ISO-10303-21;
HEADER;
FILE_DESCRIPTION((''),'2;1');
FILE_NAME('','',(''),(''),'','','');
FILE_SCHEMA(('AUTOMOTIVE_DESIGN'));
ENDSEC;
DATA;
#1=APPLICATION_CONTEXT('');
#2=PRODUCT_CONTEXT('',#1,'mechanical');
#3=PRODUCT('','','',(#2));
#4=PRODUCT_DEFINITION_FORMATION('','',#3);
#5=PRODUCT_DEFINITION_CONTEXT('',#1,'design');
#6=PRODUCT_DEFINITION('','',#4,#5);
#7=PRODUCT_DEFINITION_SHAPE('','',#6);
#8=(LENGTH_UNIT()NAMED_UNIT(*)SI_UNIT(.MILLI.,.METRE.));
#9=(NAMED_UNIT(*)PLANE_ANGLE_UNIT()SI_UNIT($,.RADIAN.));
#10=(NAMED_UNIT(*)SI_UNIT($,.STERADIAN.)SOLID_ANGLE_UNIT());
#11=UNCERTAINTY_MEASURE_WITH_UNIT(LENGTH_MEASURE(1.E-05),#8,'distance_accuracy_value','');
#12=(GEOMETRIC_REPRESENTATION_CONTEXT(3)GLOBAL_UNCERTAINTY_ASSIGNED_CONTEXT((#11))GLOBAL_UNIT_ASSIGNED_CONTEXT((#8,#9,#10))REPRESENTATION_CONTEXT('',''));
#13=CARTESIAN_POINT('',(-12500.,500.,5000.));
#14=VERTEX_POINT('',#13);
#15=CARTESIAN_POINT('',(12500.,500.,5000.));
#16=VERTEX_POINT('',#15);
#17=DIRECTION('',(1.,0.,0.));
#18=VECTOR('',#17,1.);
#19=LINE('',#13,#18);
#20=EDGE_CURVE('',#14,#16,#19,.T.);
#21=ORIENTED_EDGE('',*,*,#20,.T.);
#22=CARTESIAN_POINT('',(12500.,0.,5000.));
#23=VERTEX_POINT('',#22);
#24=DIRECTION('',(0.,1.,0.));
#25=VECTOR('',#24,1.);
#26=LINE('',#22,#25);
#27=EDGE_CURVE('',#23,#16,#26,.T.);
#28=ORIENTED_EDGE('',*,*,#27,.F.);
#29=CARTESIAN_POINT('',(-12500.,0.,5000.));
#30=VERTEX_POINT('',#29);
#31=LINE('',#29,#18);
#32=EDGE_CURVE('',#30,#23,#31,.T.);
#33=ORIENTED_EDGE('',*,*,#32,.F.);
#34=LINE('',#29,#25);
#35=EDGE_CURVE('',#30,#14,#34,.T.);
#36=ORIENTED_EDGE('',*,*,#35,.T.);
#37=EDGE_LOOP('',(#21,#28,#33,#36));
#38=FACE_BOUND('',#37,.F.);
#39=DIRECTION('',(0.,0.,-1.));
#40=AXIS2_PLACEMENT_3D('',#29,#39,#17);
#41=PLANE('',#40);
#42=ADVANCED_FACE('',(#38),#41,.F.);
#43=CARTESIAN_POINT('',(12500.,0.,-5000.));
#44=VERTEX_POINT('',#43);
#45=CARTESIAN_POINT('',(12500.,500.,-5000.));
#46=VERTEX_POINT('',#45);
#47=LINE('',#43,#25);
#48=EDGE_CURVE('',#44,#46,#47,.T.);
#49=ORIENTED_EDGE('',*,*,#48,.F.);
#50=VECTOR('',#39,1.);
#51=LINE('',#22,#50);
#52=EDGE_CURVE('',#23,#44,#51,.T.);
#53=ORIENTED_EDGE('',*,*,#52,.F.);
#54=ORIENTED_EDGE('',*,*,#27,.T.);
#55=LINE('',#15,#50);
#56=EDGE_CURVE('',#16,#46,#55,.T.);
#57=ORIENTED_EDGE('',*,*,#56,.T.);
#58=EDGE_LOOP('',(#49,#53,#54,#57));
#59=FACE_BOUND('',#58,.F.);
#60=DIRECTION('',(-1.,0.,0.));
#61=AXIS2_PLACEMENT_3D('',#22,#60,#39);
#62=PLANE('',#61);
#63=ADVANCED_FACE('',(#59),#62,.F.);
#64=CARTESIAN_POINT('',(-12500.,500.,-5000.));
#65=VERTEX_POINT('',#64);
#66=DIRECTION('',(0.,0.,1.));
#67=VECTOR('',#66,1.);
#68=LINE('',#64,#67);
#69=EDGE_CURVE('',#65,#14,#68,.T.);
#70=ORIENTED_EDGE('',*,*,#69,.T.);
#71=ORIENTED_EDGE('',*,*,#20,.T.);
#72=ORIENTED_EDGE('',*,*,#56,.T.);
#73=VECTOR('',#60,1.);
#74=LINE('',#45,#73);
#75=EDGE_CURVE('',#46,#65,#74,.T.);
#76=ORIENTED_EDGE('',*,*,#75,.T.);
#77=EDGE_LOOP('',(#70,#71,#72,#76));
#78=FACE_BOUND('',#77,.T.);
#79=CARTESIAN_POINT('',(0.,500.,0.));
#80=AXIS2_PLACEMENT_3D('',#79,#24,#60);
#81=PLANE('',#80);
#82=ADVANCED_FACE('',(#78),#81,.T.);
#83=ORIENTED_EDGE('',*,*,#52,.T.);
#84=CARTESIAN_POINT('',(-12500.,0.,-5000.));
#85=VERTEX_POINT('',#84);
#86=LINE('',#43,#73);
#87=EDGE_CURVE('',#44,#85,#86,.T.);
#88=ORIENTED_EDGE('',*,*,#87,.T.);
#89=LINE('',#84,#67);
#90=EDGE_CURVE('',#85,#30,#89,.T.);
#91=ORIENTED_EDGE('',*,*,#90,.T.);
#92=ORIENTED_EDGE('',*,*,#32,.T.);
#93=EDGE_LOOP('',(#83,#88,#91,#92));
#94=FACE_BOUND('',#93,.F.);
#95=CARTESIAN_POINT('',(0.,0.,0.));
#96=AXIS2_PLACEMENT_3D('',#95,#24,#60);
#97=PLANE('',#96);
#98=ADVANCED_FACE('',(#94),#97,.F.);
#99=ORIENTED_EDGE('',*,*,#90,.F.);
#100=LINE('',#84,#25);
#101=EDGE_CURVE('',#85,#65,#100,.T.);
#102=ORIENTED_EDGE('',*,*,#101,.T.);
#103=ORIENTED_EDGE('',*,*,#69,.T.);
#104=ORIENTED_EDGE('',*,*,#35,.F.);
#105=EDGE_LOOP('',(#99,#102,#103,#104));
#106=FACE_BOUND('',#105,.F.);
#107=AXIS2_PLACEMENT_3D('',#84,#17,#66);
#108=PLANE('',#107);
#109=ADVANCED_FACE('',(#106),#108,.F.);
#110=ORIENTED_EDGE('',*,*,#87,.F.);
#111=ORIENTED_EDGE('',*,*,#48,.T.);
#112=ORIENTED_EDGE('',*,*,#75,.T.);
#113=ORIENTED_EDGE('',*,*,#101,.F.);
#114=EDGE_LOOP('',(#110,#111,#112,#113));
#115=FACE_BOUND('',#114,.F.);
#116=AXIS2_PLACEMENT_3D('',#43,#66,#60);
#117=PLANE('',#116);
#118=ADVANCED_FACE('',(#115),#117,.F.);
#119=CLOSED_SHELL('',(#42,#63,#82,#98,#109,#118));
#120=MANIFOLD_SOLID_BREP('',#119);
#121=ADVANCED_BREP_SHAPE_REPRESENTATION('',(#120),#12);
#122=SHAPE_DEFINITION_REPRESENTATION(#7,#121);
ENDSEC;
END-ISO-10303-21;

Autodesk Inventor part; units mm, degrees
ref_plane "YZ Plane" through (0, 0, 0) normal (1, 0, 0) x (0, 1, 0)
ref_plane "XZ Plane" through (0, 0, 0) normal (0, 1, 0) x (-1, 0, 0)
ref_plane "XY Plane" through (0, 0, 0) normal (0, 0, 1) x (1, 0, 0)
sketch "Sketch1" plane through (0, 0, 0) normal (0, 1, 0) x (-1, 0, 0)
  line L0 (-12500, -5000) -> (12500, -5000)
  line L1 (12500, -5000) -> (12500, 5000)
  line L2 (12500, 5000) -> (-12500, 5000)
  line L3 (-12500, 5000) -> (-12500, -5000)
  line L4 (-12500, -5000) -> (12500, 5000) construction
  line L5 (12500, -5000) -> (-12500, 5000) construction
  point P0 (0, 0)
  dimension "d0" = 25000
  dimension "d1" = 10000
extrude "Extrusion1" add sketch "Sketch1" along normal blind 500
